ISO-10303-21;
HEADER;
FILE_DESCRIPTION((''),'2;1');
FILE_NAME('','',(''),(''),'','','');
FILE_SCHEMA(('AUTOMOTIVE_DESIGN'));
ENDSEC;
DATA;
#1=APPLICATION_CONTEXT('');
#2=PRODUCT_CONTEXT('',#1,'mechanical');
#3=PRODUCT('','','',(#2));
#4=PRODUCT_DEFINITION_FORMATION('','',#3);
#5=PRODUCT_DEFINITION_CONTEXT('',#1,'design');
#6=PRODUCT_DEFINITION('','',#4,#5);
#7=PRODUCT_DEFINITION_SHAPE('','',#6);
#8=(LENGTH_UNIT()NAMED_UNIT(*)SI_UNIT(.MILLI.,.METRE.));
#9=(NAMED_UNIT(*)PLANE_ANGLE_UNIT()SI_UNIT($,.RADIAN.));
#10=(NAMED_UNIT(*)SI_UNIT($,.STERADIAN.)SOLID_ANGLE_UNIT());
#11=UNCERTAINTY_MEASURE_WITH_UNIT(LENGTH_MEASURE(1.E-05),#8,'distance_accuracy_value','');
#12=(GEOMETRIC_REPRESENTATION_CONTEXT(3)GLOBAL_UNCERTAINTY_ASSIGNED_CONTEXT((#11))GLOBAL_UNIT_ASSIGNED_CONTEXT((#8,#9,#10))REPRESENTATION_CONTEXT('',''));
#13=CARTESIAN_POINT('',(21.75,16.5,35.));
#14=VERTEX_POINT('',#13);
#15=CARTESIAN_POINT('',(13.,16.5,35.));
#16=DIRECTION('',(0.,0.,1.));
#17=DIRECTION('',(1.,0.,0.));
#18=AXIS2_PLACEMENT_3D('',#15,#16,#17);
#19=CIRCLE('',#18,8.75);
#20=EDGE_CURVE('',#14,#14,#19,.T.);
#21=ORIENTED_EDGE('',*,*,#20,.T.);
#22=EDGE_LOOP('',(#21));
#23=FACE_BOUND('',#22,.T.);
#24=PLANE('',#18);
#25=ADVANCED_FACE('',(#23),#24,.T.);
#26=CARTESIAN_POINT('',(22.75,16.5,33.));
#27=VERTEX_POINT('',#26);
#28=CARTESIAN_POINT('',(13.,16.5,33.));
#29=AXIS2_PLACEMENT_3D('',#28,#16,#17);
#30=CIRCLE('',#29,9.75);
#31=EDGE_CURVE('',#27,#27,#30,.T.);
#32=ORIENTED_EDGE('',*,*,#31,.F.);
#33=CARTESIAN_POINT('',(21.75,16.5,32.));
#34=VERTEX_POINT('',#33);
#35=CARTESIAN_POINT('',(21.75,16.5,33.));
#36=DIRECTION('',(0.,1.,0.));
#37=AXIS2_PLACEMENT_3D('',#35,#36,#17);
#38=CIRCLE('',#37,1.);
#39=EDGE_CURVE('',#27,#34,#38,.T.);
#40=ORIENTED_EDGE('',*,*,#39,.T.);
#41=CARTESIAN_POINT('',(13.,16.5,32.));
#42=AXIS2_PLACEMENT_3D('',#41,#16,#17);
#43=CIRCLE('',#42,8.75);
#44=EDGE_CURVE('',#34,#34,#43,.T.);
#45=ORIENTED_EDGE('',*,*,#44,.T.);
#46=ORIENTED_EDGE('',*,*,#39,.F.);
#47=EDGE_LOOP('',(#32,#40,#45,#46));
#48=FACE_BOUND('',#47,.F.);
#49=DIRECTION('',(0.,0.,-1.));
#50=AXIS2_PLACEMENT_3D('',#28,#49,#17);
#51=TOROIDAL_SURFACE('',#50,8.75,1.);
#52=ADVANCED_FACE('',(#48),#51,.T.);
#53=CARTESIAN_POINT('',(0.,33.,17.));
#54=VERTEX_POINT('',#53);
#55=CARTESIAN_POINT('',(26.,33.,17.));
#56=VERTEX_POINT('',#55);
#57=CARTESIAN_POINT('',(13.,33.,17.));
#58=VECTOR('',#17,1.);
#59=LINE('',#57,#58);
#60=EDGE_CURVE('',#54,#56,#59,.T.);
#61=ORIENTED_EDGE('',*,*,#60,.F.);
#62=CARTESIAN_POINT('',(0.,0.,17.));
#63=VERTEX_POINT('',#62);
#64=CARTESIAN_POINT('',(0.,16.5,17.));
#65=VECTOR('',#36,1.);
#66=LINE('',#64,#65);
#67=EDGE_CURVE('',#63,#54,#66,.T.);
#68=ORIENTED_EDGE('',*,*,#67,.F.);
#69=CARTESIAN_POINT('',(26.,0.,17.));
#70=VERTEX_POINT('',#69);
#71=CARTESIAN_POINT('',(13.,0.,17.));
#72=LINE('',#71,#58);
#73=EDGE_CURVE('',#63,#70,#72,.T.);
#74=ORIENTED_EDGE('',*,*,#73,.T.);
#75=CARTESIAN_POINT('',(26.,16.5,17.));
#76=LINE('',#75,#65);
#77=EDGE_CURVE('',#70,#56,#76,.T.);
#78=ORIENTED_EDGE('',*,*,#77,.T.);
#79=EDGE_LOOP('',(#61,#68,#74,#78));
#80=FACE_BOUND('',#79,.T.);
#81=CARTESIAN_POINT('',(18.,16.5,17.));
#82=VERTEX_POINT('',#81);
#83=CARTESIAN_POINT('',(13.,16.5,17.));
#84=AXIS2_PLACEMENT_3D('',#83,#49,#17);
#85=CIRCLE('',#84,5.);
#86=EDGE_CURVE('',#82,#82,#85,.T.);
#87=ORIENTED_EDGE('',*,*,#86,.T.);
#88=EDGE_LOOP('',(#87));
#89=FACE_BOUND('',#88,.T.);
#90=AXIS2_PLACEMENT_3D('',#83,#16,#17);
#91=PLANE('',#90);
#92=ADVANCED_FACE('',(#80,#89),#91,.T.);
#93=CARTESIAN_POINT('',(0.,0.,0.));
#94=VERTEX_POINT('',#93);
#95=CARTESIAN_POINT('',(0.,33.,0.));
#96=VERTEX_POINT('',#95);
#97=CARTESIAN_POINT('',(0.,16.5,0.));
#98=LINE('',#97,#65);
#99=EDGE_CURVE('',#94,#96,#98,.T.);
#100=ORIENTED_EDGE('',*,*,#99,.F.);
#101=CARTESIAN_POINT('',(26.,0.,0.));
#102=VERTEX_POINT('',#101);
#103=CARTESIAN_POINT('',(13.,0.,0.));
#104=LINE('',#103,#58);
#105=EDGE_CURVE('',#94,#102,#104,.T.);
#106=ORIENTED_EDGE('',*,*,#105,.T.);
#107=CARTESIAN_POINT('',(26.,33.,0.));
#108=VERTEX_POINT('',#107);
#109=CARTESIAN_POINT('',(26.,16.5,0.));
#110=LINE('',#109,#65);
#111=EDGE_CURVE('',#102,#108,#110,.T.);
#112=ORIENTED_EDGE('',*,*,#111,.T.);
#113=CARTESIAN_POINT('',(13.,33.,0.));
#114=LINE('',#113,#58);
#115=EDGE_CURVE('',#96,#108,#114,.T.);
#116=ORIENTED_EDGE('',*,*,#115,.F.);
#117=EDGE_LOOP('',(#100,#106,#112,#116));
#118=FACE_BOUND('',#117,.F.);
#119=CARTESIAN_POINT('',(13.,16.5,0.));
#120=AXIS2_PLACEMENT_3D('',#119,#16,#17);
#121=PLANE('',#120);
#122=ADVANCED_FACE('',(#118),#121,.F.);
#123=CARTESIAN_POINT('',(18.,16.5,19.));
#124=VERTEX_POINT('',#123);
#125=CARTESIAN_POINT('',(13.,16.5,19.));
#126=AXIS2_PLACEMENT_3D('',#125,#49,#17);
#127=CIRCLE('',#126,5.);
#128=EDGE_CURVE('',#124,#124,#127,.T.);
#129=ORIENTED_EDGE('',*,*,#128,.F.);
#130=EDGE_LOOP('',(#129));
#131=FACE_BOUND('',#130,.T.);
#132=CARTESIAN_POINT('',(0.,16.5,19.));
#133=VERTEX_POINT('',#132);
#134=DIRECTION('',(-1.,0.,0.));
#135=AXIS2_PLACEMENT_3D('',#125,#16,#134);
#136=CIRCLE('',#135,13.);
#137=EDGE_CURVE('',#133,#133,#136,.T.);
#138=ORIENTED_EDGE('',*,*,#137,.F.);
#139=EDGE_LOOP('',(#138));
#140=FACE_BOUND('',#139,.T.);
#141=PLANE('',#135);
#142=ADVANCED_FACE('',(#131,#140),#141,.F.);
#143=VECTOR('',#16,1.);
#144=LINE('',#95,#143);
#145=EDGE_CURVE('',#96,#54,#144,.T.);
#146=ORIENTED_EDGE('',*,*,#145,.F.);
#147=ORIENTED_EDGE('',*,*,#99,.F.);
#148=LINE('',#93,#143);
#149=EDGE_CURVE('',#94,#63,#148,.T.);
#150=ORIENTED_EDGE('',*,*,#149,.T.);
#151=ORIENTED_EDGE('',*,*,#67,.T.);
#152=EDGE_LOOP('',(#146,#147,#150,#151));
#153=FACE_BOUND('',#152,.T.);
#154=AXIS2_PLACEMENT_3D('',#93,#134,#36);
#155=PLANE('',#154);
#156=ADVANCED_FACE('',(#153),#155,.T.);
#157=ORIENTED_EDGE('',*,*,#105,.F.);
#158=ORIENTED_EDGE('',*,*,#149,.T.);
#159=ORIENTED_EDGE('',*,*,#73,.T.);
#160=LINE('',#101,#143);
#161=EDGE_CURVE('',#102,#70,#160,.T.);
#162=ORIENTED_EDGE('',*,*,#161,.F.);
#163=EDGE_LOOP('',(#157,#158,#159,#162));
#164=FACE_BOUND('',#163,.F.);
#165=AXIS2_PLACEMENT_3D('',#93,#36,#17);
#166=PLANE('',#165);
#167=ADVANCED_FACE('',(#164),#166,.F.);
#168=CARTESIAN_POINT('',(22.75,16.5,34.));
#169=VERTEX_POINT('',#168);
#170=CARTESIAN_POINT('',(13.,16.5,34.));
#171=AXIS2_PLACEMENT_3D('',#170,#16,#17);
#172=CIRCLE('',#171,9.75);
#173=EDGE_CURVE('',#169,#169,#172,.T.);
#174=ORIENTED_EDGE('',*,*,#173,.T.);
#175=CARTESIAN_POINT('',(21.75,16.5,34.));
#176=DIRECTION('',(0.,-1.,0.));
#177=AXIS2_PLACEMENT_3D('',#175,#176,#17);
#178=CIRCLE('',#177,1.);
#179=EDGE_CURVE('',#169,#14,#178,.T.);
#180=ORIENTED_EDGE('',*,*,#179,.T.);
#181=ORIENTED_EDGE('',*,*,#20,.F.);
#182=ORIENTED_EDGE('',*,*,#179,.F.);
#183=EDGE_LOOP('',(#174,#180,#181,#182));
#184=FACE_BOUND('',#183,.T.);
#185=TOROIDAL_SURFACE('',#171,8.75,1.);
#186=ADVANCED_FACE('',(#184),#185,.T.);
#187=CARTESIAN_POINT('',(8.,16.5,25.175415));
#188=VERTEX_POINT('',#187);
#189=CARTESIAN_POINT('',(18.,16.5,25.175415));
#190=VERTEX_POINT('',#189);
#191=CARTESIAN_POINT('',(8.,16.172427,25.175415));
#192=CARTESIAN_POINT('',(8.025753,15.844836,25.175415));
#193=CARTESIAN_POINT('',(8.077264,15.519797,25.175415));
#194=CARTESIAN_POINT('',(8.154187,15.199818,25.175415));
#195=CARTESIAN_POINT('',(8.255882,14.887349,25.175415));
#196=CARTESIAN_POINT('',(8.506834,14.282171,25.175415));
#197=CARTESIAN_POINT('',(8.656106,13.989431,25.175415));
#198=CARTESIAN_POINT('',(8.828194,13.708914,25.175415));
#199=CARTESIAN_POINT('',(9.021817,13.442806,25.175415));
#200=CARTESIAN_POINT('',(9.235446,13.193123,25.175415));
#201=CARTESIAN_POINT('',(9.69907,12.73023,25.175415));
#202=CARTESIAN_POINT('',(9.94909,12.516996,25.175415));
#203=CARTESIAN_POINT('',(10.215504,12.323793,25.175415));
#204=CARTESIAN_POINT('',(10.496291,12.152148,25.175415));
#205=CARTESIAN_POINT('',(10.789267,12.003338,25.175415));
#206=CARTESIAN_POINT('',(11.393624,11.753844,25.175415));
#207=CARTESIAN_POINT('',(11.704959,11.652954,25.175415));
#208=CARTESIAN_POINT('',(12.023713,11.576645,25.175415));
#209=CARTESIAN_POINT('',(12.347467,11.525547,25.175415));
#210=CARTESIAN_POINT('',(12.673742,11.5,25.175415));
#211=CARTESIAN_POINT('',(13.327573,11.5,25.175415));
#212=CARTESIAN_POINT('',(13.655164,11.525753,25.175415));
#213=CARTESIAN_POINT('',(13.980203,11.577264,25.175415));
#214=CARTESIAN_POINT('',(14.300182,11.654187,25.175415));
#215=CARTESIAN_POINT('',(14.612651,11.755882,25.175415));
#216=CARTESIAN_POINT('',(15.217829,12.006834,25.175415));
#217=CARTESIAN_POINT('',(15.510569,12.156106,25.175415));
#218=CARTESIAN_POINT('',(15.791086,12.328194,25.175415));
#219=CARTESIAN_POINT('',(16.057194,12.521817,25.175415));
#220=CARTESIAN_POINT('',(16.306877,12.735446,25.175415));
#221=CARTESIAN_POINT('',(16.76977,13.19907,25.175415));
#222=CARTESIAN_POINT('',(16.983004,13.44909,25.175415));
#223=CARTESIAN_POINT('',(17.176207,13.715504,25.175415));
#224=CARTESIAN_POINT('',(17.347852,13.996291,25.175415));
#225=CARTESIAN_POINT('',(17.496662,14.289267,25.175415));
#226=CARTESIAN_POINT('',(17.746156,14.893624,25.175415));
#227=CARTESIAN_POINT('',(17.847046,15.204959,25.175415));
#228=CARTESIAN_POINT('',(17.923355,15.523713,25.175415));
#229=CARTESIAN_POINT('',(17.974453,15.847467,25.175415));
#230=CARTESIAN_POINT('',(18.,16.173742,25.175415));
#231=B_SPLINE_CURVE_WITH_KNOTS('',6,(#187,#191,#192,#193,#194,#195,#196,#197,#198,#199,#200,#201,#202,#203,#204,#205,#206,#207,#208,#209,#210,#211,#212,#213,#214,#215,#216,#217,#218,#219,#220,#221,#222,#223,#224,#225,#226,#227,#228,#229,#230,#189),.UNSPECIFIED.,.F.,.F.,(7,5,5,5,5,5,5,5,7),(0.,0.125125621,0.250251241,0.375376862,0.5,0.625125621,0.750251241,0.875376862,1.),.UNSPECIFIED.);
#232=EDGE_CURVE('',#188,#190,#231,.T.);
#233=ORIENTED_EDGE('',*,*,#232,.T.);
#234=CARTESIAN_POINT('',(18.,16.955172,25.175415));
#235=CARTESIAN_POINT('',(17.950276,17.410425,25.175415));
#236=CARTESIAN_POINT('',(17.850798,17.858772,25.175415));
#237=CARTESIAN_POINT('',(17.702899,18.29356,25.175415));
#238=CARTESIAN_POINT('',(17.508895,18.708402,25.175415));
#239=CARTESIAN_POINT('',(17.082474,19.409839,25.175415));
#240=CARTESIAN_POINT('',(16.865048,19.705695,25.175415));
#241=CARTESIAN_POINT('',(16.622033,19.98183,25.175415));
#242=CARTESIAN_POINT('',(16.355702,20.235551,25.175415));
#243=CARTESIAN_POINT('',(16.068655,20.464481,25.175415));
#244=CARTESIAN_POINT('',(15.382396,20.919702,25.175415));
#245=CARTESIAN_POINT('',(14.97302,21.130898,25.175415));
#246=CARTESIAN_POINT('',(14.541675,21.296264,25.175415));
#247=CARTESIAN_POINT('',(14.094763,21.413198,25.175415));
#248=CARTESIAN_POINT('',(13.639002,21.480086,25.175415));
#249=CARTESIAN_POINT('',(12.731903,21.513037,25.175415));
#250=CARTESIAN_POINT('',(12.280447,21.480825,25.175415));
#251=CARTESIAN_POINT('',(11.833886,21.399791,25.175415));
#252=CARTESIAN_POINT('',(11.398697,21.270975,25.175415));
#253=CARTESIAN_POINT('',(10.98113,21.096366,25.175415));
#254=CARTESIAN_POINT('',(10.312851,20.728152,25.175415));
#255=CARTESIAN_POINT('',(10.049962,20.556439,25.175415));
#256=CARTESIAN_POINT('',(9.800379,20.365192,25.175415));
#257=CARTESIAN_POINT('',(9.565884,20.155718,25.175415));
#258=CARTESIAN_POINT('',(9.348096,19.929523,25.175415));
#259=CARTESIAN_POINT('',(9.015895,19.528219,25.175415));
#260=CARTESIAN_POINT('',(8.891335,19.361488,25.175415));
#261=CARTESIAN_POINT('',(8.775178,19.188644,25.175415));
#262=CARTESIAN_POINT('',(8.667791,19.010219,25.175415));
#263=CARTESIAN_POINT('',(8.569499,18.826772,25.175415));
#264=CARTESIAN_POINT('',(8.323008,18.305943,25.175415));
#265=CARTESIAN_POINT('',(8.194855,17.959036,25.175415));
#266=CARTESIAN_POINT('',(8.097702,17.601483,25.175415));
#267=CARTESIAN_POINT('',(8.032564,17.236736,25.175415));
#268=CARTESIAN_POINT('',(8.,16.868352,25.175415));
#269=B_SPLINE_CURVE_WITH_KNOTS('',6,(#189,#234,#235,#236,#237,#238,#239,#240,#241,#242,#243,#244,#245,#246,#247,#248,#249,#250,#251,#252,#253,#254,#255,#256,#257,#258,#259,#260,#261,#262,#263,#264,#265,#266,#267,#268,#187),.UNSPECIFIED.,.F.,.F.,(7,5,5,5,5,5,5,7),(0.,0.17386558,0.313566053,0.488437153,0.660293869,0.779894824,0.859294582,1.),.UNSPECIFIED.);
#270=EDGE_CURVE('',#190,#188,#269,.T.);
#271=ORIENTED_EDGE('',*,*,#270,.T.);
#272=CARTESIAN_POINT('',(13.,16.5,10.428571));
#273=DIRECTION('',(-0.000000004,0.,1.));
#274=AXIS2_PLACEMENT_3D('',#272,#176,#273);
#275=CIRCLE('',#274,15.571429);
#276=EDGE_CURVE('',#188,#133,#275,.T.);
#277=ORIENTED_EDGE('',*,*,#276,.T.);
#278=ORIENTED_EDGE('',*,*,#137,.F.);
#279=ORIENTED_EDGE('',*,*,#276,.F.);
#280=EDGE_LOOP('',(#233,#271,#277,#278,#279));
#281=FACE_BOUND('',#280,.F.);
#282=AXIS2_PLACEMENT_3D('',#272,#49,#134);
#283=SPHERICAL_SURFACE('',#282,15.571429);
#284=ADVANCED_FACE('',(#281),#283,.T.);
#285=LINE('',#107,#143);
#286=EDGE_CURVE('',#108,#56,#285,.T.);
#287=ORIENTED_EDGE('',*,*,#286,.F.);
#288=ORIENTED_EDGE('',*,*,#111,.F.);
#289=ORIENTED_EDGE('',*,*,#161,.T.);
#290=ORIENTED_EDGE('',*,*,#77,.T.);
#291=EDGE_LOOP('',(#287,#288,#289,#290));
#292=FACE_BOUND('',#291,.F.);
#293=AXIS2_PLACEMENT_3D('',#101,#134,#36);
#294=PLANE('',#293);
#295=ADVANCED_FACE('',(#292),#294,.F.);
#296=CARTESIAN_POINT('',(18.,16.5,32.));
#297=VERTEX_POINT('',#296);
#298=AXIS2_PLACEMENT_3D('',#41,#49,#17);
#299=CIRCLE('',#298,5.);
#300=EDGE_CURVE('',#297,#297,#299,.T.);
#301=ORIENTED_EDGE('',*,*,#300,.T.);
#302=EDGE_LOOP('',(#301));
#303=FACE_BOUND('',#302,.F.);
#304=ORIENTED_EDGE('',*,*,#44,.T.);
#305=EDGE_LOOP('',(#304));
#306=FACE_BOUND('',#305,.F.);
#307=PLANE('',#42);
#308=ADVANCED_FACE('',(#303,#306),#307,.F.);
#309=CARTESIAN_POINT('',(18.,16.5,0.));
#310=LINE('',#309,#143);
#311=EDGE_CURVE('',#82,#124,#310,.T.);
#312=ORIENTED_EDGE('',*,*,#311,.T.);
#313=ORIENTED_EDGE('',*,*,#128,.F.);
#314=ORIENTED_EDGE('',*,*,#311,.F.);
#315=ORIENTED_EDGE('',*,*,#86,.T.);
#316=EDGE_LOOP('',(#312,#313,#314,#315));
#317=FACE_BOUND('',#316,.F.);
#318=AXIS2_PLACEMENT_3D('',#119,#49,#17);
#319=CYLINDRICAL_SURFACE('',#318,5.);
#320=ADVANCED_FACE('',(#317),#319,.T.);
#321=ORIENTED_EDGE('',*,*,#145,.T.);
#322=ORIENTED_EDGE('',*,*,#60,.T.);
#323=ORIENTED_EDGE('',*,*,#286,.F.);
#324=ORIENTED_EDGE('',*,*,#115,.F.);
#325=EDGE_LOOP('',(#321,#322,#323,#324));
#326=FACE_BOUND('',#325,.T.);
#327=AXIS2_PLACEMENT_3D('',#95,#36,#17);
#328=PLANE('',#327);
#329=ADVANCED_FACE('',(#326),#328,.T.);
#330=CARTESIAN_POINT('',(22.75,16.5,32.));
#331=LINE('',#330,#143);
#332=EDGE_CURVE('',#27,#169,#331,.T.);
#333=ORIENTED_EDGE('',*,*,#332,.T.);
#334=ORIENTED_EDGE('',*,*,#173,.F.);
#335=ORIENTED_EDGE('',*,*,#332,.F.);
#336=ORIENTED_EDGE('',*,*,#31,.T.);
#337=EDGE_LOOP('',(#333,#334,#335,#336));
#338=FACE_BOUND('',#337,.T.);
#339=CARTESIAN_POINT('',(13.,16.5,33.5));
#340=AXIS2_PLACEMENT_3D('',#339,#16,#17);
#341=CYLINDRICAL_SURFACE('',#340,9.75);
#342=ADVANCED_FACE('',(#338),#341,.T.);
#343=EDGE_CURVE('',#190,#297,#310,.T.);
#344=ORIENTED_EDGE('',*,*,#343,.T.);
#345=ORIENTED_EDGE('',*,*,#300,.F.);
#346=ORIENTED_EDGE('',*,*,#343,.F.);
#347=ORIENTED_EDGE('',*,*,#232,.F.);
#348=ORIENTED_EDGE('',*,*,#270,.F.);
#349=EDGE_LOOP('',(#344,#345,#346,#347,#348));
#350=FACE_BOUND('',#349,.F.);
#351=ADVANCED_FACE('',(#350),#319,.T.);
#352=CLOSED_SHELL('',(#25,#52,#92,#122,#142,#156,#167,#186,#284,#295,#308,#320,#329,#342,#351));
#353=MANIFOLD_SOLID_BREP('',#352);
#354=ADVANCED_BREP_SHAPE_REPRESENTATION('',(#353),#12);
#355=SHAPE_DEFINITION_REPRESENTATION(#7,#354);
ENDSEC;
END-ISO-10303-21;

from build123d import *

# Parameters (mm, degrees)
SKETCH008_W  = 26
SKETCH008_H  = 33
PAD002_DEPTH = 17
SKETCH009_R  = 5
PAD003_DEPTH = 34
SKETCH011_R  = 9.75
PAD004_DEPTH = 1.5
FILLET002_R  = 1
FILLET003_R  = 1


with BuildPart() as part:
    # Sketch008 → Pad002 (new body)
    with BuildSketch(Plane.XY):
        with Locations((13, 16.5)):
            Rectangle(SKETCH008_W, SKETCH008_H)
    extrude(amount=PAD002_DEPTH)

    # Sketch009 → Pad003 (join)
    with BuildSketch(Plane.XY):
        with Locations((13, 16.5)):
            Circle(SKETCH009_R)
    extrude(amount=PAD003_DEPTH)

    # Sketch010 → Revolution (revolve)
    with BuildSketch(Plane(origin=(13, 16.5, 2), x_dir=(1, 0, 0), z_dir=(0, -1, 0))):
        with BuildLine():
            Line((0, 24), (0, 17))
            Line((0, 17), (-13, 17))
            ThreePointArc((0, 24), (-7.382412, 22.138764), (-13, 17))
        make_face()
    revolve(axis=Axis((13, 16.5, 2), (0, 0, 1)))

    # Sketch011 → Pad004 (join, symmetric)
    with BuildSketch(Plane.XY.offset(33.5)):
        with Locations((13, 16.5)):
            Circle(SKETCH011_R)
    extrude(amount=PAD004_DEPTH, both=True)

    # Fillet002
    fillet002_edges = [part.edges().sort_by_distance(p)[0] for p in [
        (3.25, 16.5, 35),
    ]]
    fillet(fillet002_edges, radius=FILLET002_R)

    # Fillet003
    fillet003_edges = [part.edges().sort_by_distance(p)[0] for p in [
        (3.25, 16.5, 32),
    ]]
    fillet(fillet003_edges, radius=FILLET003_R)


solid = part.part
